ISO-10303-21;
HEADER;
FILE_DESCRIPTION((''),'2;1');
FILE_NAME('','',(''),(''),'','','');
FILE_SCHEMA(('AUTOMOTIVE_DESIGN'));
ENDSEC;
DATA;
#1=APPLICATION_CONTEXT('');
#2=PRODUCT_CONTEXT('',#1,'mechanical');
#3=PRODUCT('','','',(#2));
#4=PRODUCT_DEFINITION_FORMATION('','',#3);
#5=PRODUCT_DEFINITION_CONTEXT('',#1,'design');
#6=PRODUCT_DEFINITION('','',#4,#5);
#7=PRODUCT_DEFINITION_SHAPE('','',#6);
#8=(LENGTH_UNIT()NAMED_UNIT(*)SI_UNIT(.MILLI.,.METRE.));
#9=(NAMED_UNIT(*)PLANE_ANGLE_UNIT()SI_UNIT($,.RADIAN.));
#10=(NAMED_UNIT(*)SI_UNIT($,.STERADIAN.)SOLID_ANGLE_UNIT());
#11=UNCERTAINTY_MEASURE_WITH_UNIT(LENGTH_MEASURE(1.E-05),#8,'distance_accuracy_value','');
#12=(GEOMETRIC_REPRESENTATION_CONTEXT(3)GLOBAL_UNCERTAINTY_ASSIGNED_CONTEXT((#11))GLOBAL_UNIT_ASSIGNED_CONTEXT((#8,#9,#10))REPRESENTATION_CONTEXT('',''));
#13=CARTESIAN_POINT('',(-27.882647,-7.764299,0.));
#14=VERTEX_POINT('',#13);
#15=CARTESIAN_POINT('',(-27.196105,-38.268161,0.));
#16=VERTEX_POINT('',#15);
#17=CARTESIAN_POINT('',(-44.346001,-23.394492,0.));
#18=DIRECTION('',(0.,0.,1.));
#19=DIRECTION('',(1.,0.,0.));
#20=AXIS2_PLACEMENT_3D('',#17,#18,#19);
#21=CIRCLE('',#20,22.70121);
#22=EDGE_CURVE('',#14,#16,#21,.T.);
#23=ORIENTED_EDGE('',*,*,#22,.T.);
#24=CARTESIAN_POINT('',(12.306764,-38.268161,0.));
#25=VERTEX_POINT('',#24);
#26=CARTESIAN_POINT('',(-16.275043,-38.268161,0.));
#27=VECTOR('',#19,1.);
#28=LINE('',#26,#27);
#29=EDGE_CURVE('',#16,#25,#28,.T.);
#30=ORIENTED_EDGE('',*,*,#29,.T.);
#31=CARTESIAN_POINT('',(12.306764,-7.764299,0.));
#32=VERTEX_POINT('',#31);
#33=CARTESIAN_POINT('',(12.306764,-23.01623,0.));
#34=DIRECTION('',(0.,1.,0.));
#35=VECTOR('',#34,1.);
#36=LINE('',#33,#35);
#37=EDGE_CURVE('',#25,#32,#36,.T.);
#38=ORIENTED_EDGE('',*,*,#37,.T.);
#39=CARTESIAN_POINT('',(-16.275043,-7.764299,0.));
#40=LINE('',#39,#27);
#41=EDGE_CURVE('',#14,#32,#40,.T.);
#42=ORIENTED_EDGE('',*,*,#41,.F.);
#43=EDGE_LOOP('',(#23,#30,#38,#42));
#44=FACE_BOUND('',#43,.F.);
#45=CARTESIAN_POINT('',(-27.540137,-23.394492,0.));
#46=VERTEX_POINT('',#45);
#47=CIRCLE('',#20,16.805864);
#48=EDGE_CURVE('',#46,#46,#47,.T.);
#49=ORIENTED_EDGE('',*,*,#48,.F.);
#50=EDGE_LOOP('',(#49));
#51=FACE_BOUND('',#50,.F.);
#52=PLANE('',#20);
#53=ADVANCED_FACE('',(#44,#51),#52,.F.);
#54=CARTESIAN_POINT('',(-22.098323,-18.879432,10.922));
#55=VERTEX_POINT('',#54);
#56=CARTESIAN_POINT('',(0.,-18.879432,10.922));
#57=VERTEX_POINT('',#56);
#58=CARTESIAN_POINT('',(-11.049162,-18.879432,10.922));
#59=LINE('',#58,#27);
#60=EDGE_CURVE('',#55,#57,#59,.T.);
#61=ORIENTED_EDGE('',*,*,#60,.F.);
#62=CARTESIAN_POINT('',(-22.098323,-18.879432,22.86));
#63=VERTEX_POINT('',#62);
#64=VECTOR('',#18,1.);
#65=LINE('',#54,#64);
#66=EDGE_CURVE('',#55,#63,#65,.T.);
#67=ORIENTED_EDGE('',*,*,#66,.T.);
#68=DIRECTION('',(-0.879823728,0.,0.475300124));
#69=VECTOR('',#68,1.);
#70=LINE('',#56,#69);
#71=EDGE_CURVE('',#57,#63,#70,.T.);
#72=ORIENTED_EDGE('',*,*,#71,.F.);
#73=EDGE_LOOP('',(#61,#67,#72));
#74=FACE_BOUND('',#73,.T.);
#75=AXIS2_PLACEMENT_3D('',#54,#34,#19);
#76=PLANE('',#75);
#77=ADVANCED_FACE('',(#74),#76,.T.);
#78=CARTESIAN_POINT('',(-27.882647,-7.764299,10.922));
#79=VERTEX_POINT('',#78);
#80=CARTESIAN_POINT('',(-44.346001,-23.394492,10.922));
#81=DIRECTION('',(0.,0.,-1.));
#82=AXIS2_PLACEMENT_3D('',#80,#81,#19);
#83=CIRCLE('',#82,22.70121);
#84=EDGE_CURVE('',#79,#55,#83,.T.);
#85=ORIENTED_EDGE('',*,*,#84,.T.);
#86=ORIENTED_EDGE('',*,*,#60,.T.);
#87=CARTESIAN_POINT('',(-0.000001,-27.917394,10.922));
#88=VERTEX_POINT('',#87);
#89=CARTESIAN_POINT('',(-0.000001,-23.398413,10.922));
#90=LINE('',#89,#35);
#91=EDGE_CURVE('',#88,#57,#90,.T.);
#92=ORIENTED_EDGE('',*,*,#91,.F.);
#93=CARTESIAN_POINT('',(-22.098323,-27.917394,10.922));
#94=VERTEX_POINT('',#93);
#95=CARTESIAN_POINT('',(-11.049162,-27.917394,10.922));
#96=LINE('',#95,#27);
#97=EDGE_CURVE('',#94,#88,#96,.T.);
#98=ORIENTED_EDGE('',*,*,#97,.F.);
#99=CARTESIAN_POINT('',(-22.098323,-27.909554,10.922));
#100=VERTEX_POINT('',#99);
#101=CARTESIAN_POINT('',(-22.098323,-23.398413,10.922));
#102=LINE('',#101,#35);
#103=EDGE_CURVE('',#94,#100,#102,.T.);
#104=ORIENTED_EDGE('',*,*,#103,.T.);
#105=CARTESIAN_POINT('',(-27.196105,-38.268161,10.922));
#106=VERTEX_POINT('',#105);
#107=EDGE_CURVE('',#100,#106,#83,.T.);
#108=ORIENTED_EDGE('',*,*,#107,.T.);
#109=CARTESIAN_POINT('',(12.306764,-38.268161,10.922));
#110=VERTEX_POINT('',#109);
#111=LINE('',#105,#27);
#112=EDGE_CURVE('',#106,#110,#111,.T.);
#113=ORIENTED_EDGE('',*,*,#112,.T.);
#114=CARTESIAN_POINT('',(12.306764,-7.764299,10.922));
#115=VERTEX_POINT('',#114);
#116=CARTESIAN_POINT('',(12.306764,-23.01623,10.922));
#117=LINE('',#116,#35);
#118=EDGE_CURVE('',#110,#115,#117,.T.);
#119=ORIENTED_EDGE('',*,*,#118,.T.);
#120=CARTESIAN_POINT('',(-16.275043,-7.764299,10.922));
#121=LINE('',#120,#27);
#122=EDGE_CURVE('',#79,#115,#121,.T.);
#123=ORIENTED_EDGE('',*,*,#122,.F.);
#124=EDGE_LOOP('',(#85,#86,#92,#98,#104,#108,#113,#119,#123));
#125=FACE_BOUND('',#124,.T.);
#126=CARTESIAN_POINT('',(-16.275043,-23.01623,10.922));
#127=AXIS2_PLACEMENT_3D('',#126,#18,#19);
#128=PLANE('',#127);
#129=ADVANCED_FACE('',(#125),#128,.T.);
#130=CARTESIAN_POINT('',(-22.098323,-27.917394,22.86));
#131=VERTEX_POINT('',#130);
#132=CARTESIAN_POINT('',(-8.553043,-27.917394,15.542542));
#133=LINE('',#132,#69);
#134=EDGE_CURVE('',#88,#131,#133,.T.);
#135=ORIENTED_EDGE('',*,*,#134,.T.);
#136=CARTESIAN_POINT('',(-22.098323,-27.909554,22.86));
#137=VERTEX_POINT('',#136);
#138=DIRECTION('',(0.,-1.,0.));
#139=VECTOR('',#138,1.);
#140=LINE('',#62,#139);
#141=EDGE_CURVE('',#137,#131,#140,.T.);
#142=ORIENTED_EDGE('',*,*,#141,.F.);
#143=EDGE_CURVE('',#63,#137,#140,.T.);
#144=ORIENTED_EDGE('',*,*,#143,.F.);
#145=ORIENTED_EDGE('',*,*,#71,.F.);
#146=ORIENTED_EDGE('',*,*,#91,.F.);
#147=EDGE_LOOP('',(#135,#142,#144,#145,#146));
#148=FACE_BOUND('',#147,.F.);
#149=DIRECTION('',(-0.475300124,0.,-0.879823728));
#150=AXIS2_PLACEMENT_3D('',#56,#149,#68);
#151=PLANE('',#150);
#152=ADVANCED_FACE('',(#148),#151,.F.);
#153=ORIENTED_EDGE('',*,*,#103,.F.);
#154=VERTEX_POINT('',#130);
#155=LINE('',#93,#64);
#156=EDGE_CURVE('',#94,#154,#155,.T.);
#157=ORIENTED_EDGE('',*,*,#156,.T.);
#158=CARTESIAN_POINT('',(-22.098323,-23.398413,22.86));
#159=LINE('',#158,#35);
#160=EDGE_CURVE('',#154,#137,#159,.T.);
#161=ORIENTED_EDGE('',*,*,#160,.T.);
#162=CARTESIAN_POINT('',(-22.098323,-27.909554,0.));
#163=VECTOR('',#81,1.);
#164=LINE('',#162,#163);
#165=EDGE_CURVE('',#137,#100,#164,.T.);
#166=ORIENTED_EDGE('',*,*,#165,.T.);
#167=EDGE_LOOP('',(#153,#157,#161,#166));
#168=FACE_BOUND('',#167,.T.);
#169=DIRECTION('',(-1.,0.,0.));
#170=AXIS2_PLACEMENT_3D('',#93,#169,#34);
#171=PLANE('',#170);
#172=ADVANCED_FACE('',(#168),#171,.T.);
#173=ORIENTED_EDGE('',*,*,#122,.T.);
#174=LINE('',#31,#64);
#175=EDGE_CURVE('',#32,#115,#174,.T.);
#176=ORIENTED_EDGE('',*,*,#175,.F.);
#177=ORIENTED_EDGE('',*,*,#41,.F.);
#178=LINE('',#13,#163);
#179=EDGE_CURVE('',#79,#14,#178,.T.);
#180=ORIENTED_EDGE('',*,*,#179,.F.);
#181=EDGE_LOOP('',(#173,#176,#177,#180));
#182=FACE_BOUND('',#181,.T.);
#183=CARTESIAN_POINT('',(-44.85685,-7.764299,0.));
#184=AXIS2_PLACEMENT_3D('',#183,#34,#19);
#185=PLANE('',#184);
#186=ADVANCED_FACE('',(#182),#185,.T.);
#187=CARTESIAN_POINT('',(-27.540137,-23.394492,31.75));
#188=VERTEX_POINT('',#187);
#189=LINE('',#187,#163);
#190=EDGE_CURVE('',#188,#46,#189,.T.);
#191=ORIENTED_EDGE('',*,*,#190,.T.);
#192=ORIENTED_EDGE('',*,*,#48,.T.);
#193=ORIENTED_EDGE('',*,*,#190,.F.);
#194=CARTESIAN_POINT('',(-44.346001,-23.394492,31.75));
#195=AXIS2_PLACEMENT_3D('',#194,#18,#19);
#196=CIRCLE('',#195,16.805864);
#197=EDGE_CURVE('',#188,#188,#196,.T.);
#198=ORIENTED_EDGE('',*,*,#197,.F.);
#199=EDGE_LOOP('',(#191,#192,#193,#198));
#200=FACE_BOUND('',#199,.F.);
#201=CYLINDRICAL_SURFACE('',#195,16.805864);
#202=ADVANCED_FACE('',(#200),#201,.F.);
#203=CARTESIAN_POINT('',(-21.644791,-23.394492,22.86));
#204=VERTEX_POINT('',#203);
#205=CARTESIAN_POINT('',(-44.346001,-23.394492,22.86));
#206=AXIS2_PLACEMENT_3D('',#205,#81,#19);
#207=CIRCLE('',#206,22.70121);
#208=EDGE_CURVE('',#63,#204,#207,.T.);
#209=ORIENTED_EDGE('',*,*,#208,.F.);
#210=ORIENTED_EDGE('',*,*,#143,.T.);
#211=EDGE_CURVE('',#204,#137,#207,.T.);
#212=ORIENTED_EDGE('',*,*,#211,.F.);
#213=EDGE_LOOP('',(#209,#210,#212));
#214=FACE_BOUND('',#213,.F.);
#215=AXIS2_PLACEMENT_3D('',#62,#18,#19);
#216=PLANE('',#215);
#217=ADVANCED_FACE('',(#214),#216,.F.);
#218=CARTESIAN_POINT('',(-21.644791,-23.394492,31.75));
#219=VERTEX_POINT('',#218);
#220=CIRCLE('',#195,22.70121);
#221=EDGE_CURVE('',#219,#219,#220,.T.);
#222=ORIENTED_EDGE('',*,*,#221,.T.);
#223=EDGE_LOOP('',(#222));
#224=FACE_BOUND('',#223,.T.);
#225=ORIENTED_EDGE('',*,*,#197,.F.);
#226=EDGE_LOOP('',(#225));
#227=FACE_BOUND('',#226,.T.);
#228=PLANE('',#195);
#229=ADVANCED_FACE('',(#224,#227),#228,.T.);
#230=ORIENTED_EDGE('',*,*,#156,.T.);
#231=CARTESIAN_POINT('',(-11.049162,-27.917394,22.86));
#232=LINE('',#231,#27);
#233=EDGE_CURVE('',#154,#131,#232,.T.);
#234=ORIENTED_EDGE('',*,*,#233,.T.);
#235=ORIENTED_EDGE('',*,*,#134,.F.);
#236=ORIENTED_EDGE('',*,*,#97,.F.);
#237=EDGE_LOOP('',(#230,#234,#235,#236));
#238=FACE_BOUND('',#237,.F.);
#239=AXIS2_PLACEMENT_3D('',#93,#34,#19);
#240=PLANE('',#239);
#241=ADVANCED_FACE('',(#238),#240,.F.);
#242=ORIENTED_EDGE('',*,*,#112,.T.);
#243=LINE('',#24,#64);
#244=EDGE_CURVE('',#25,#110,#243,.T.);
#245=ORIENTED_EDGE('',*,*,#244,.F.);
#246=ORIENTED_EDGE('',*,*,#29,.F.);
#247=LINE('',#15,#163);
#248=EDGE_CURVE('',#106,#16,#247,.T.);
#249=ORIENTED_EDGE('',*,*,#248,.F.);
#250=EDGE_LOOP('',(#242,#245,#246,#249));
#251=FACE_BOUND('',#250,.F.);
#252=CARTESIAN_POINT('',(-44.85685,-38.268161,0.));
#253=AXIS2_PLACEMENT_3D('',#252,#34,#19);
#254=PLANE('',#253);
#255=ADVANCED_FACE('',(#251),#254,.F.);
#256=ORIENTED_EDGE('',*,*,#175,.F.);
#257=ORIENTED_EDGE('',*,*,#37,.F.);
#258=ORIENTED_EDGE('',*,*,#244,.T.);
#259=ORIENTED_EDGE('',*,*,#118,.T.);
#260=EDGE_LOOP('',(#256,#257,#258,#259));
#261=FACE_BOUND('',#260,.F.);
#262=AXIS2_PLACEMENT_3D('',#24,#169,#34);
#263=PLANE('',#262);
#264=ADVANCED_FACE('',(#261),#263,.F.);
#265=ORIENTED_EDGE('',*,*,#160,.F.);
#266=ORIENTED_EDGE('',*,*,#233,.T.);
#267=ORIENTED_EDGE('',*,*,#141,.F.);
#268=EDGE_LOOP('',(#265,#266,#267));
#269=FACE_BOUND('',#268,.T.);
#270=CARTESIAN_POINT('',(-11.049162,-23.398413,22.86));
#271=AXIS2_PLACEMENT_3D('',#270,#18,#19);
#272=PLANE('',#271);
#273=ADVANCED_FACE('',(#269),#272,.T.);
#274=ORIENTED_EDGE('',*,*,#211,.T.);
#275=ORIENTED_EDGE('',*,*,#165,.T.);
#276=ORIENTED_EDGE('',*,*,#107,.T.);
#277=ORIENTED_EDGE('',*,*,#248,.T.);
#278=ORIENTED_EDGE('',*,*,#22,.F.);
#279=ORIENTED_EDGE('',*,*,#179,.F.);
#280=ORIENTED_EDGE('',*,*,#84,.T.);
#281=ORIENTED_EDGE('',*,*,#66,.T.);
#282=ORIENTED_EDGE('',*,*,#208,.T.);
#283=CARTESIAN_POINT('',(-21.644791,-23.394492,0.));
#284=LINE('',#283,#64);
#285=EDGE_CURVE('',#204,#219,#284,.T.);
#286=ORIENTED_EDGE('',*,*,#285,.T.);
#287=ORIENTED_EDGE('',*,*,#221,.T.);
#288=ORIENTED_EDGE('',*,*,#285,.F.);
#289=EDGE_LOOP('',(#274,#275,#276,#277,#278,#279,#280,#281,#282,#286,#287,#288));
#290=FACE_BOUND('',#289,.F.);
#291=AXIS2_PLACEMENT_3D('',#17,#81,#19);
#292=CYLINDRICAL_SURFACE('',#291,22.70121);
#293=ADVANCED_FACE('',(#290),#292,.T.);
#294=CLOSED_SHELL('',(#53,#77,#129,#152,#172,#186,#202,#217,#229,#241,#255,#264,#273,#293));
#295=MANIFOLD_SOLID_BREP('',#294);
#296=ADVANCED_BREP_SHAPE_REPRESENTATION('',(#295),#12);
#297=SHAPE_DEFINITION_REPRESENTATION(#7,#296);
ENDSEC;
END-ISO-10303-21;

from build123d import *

# Parameters (mm, degrees)
F1_R     = 22.70121
F2_DEPTH = 31.75
F0_W     = 57.163614
F0_H     = 30.503861
F3_DEPTH = 10.922
F4_R     = 16.805864
F5_DEPTH = 45.466
F6_W     = 22.098323
F6_H     = 9.037962
F7_DEPTH = 11.938
F9_DEPTH = 25.4


with BuildPart() as f2:
    # F1 (on face) → F2 (new body)
    with BuildSketch(Plane.XY):
        with Locations((-44.346001, -23.394492)):
            Circle(F1_R)
    extrude(amount=F2_DEPTH)

    # F0 (on Top) → F3 (join)
    with BuildSketch(Plane.XY):
        with Locations((-16.275043, -23.01623)):
            Rectangle(F0_W, F0_H)
    extrude(amount=F3_DEPTH)

    # F4 (on face) → F5 (cut)
    with BuildSketch(Plane.XY.offset(31.75)):
        with Locations((-44.346001, -23.394492)):
            Circle(F4_R)
    extrude(amount=-F5_DEPTH, mode=Mode.SUBTRACT)

    # F6 (on face) → F7 (join)
    with BuildSketch(Plane.XY.offset(10.922)):
        with Locations((-11.049162, -23.398413)):
            Rectangle(F6_W, F6_H)
    extrude(amount=F7_DEPTH)

    # F8 (on face) → F9 (cut)
    with BuildSketch(Plane(origin=(0, -18.879432, 0), x_dir=(-1, 0, 0), z_dir=(0, 1, 0))):
        Polygon((0, 10.922), (22.098323, 22.86), (0, 22.86), align=None)
    extrude(amount=-F9_DEPTH, mode=Mode.SUBTRACT)


solid = f2.part
